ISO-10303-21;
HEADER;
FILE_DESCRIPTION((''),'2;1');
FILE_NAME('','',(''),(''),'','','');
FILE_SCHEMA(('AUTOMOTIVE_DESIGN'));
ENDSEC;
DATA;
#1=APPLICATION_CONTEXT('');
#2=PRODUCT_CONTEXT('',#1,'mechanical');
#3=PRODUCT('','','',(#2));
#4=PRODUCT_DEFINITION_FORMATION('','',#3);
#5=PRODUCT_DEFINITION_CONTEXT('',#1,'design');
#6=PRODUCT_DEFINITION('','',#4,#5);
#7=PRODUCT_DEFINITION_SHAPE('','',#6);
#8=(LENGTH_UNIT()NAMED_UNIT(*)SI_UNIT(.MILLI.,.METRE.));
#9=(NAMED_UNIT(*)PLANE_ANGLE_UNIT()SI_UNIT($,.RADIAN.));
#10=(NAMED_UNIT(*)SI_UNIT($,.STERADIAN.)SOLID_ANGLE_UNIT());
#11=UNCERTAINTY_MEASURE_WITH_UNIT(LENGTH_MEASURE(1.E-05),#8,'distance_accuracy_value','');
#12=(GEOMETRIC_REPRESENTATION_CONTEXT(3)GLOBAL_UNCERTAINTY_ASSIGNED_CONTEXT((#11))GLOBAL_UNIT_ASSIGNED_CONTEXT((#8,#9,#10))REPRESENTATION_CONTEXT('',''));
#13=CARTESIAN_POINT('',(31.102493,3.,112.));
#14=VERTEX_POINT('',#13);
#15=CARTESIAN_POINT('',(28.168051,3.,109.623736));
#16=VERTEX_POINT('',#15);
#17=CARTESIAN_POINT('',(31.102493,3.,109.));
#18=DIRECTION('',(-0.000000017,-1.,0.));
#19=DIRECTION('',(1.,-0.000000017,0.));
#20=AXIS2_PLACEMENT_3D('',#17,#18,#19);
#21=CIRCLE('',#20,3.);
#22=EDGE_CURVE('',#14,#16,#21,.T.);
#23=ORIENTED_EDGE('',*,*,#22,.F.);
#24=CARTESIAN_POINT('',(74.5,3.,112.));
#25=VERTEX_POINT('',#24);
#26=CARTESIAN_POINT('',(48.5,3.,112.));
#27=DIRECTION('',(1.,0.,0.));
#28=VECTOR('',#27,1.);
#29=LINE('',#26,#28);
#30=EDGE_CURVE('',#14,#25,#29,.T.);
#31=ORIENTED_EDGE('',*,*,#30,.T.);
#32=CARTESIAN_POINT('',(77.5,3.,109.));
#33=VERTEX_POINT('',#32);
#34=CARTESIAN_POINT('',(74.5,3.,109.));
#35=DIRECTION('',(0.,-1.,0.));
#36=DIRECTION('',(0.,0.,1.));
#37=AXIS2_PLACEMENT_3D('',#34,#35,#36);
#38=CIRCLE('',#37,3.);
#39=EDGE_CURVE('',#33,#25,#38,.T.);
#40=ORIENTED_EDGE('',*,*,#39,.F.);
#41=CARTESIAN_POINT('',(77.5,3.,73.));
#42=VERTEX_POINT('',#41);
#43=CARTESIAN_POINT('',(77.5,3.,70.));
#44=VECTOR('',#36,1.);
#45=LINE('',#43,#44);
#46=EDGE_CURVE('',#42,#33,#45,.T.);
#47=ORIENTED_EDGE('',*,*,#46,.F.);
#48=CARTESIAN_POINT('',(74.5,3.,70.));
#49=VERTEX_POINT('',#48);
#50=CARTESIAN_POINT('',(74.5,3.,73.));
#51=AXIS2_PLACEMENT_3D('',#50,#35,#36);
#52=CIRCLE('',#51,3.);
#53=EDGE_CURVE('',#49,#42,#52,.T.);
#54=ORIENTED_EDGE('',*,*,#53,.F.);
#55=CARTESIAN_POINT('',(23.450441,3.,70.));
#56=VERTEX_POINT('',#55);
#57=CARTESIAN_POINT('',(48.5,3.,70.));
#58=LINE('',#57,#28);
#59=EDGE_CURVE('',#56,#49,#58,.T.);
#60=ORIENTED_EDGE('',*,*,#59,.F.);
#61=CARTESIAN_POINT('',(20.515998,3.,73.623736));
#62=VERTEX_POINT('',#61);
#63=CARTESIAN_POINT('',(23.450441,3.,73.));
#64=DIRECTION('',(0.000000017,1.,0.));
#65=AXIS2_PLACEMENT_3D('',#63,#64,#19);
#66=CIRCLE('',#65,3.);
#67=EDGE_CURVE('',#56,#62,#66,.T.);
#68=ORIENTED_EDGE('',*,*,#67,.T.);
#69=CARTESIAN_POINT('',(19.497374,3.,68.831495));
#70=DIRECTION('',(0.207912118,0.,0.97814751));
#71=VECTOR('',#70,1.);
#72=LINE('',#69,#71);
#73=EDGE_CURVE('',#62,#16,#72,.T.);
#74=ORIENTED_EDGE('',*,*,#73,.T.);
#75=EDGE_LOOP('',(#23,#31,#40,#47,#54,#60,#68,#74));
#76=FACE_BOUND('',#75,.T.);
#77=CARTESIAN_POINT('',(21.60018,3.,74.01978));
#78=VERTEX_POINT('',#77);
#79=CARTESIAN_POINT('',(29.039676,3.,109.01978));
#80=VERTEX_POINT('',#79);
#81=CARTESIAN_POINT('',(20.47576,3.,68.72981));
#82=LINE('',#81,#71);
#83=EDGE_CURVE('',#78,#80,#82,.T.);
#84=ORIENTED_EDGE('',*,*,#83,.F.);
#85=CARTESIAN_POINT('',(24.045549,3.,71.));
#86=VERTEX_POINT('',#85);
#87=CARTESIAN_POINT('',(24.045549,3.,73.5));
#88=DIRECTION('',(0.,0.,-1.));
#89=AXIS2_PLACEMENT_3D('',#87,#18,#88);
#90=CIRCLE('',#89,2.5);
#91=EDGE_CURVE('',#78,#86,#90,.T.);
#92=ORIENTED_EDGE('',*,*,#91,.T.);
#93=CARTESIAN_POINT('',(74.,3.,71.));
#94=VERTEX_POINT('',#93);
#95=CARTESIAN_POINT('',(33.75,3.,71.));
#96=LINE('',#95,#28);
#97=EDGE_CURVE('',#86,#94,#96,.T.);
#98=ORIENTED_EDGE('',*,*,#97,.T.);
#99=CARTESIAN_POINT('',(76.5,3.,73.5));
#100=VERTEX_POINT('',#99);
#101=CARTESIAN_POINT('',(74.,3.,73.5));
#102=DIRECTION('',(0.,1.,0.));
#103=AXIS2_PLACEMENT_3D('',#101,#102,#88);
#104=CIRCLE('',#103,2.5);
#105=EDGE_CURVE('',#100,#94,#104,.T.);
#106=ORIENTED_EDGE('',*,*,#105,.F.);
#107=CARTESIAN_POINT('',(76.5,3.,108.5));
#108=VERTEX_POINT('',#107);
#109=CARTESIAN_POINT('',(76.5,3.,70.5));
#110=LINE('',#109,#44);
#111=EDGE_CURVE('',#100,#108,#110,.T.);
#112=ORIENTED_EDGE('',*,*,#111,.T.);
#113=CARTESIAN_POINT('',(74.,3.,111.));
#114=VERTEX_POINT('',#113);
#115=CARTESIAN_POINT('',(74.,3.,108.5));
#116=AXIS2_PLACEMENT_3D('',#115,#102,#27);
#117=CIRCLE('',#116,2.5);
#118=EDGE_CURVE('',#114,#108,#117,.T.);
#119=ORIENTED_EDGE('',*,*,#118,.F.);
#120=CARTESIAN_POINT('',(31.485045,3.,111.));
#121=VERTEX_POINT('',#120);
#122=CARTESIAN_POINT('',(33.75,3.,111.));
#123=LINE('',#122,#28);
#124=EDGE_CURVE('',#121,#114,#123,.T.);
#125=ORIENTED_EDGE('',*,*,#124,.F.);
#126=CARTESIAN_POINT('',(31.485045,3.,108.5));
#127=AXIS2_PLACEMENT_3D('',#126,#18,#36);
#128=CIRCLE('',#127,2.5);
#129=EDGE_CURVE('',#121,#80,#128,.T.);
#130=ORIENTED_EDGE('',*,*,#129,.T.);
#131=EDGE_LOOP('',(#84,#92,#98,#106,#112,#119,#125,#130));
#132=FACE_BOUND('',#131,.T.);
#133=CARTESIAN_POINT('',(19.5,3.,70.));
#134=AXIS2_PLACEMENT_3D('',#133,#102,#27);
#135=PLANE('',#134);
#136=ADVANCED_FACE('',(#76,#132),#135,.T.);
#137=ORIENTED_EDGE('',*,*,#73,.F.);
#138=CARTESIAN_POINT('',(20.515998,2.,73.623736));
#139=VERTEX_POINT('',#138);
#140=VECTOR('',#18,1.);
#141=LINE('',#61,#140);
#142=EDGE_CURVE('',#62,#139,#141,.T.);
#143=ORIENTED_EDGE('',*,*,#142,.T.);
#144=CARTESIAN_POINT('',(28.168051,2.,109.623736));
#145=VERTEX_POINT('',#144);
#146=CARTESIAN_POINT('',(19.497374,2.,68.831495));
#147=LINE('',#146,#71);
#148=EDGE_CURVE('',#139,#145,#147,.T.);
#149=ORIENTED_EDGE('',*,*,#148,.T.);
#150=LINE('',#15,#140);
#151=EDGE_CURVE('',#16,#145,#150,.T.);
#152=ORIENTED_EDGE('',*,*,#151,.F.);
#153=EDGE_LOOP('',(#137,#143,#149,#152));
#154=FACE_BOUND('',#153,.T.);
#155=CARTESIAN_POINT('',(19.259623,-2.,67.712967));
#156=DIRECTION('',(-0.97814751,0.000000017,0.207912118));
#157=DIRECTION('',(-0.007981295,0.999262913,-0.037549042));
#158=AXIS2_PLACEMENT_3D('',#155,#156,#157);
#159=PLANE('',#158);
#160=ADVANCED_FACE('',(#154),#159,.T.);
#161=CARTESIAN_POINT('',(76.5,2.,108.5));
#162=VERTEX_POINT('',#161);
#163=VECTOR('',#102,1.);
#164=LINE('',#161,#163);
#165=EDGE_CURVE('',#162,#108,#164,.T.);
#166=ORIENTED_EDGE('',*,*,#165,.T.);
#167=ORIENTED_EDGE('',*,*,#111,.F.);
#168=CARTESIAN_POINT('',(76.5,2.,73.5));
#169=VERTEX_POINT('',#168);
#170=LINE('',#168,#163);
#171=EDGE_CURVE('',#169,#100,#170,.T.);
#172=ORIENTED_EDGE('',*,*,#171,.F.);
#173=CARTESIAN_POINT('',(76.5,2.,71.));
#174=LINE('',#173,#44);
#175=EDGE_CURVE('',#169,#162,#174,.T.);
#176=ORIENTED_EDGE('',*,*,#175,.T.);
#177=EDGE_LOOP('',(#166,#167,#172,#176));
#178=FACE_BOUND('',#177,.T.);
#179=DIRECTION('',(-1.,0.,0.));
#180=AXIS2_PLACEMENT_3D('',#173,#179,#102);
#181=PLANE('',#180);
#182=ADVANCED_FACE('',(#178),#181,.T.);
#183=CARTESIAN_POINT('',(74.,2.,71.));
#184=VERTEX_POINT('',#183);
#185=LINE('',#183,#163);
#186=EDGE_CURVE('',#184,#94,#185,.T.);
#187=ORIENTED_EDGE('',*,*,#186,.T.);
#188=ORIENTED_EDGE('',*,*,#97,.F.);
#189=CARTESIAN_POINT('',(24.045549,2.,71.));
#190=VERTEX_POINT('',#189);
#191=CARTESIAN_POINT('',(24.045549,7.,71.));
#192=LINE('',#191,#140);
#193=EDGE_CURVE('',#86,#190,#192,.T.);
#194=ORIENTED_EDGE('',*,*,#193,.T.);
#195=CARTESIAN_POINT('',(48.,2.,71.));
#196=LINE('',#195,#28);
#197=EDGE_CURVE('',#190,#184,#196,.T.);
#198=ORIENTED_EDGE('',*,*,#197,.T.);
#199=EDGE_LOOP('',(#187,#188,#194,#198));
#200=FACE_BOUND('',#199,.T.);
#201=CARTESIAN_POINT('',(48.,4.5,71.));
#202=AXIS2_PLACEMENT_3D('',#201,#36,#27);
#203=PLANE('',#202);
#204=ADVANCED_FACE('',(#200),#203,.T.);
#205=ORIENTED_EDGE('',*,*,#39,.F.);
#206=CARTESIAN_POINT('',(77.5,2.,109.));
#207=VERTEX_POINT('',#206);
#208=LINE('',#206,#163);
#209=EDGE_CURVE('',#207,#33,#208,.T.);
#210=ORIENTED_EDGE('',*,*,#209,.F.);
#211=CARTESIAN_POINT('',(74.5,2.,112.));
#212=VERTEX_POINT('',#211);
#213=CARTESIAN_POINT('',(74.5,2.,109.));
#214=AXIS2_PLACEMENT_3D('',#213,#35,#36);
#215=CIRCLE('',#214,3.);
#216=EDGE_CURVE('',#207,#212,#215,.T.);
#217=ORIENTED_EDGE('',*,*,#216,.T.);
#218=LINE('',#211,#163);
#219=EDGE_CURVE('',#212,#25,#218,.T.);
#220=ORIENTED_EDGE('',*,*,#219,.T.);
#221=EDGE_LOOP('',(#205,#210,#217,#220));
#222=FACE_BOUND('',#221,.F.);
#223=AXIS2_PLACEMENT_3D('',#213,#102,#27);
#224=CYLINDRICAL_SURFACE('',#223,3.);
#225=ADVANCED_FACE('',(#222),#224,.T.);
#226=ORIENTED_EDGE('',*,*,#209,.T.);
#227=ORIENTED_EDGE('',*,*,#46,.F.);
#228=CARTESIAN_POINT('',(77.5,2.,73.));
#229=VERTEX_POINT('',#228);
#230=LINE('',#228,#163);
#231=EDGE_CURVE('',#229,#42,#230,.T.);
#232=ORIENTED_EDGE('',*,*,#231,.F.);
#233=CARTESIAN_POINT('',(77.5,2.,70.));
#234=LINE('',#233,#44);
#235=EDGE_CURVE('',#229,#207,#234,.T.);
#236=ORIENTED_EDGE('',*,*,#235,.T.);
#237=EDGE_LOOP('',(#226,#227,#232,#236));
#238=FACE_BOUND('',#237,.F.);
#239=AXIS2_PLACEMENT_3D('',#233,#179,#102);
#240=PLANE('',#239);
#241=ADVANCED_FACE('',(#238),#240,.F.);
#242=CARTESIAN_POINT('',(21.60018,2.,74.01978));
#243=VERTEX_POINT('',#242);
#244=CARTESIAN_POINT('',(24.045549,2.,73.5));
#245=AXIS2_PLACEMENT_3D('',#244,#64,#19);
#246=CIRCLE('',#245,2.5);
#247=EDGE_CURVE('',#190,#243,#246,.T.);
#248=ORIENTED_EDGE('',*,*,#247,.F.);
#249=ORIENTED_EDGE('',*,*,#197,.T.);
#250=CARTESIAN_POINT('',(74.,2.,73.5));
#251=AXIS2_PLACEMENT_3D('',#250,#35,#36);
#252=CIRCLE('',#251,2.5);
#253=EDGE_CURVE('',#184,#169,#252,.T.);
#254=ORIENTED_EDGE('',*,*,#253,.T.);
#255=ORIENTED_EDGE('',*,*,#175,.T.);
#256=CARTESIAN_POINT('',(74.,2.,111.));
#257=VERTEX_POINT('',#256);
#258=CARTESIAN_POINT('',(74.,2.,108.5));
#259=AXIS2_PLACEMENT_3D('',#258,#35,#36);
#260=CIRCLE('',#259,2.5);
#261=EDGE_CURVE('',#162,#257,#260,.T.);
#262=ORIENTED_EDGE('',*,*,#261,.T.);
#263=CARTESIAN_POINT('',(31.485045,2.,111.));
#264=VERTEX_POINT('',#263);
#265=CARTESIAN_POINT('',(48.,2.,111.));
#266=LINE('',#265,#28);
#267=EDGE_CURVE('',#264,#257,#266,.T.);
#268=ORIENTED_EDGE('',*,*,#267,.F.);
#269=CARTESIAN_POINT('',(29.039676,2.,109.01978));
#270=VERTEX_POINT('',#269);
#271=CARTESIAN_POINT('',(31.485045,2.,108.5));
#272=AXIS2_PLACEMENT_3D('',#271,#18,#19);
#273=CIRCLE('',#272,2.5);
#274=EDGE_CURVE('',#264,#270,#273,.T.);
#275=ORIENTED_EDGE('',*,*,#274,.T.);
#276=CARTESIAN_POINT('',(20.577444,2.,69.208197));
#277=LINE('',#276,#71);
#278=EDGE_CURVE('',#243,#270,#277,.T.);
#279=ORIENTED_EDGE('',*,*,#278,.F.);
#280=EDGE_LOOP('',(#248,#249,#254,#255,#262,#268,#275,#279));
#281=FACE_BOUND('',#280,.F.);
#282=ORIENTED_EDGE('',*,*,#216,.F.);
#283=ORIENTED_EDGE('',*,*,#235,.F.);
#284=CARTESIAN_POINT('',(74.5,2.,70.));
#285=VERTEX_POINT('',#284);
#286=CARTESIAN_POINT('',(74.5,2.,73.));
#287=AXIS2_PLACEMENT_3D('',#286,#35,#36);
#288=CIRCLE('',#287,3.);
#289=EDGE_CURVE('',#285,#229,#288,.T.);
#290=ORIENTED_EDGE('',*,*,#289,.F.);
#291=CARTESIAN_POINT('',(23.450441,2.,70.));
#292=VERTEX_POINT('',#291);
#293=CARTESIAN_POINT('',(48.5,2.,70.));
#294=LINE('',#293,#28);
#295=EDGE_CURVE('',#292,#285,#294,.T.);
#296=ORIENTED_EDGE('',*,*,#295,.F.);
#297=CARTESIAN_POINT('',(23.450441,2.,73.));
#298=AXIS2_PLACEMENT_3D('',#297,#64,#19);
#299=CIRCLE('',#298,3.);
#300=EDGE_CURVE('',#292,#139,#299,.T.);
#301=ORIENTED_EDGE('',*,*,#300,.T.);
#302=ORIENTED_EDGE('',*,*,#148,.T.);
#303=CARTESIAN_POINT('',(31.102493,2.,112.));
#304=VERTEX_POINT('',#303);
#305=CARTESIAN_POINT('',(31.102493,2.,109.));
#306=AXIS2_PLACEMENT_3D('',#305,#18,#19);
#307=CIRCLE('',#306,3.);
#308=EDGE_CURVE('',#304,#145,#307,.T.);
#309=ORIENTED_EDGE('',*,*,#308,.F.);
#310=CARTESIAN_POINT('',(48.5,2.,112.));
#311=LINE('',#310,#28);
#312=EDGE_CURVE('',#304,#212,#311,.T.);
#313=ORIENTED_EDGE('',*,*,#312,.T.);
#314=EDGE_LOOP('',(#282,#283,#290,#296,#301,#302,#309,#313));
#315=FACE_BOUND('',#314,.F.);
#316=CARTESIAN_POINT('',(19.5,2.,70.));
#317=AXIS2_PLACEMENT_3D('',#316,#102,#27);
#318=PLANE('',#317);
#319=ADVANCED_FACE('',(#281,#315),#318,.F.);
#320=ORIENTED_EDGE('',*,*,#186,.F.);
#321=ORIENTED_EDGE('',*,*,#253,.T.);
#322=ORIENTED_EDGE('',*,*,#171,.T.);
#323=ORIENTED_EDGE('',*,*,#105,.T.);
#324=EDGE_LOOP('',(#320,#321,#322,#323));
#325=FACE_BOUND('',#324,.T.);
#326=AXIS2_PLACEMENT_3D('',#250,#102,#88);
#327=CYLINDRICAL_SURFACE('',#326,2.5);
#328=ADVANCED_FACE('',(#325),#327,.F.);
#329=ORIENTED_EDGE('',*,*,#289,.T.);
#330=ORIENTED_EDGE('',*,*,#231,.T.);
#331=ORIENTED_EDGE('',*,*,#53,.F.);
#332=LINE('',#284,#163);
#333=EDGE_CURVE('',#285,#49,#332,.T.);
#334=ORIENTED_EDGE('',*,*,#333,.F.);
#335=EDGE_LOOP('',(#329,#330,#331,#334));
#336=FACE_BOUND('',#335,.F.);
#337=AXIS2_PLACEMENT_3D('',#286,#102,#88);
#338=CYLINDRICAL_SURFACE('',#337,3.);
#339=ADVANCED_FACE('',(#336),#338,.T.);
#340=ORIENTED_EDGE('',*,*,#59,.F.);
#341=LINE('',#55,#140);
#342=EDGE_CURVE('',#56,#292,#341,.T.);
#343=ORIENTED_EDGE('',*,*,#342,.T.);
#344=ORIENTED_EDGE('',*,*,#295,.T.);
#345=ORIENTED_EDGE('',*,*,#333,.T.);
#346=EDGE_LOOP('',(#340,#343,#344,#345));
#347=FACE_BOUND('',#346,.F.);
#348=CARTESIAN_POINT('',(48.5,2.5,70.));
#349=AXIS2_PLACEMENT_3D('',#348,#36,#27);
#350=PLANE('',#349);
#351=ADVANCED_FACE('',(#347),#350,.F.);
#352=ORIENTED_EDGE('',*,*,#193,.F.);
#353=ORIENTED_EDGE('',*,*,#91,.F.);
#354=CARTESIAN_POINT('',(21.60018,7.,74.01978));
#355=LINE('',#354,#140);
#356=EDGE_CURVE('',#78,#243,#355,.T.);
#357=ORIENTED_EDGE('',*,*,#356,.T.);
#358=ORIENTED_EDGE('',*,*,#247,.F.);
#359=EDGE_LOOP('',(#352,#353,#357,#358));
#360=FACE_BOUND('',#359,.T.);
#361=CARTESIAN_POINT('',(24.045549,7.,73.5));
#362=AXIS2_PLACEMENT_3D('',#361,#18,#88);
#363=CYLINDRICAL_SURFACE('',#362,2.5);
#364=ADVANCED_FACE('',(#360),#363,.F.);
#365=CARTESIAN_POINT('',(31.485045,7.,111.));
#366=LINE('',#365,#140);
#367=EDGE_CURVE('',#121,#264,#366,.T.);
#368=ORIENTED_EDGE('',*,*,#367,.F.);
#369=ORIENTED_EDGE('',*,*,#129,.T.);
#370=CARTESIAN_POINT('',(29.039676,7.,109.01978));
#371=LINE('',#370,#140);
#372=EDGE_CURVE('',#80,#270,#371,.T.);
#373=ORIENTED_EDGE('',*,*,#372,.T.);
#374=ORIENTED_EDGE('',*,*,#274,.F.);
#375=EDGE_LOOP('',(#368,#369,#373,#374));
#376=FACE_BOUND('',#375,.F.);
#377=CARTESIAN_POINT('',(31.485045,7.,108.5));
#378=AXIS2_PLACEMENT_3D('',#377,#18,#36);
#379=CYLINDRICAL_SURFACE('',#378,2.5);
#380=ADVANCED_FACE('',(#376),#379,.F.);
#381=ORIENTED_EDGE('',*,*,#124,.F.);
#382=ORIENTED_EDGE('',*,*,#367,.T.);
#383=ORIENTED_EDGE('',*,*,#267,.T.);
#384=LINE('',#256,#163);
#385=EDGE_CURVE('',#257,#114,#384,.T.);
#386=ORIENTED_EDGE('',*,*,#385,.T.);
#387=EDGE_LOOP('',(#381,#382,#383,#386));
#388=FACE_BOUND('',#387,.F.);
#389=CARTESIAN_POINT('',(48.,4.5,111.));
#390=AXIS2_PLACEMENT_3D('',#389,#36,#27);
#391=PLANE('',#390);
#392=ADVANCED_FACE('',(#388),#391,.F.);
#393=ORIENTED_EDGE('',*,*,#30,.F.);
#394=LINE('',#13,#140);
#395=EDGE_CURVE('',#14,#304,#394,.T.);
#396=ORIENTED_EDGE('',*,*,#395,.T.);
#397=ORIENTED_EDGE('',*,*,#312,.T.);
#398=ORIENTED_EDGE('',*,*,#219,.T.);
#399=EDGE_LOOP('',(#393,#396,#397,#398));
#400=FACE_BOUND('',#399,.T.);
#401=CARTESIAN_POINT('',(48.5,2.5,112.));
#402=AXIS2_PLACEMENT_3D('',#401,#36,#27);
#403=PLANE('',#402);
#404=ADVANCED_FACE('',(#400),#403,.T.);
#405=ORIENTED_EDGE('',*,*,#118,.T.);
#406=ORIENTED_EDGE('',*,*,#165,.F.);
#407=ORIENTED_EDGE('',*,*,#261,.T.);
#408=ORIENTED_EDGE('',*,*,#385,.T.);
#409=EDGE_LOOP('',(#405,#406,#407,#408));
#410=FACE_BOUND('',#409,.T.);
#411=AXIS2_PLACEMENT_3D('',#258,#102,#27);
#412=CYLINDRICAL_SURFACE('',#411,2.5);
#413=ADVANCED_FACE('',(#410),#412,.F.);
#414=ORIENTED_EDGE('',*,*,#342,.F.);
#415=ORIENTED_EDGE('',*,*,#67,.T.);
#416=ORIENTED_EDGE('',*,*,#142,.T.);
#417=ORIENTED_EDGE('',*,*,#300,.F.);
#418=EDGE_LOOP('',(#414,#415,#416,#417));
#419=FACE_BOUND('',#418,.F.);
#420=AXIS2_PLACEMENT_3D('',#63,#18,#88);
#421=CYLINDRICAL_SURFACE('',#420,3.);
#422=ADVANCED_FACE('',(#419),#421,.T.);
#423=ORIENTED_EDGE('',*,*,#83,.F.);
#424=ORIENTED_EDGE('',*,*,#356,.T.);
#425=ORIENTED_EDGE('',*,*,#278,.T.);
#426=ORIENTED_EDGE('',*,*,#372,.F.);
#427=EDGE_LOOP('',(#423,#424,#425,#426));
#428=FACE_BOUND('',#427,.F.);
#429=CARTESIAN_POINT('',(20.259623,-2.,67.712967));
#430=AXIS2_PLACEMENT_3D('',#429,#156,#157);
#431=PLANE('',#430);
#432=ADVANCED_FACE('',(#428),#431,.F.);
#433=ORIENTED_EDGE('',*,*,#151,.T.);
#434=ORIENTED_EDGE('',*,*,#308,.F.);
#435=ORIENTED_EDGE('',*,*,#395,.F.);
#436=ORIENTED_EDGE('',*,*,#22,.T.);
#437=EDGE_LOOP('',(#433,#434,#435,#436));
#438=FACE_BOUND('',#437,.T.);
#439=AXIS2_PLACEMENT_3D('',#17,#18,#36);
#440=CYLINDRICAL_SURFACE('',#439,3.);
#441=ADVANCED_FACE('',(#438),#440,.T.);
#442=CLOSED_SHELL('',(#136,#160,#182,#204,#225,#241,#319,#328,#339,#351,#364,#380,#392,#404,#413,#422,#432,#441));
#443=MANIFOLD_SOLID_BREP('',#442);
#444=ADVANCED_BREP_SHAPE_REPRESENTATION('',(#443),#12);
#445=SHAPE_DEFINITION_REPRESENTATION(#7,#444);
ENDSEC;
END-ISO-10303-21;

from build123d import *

# Parameters (mm, degrees)
BOX052_W               = 11
BOX052_H               = 11
BOX052_DEPTH           = 48
BOX052_ROLL_ANGLE      = -2.200006
BOX052_PITCH_ANGLE     = 12.000025
BOX052_PLACEMENT_ANGLE = -1e-06
BOX053_W               = 57
BOX053_H               = 5
BOX053_DEPTH           = 40
FILLET060_R            = 2.5
BOX006_W               = 11
BOX006_H               = 11
BOX006_DEPTH           = 48
BOX006_ROLL_ANGLE      = -2.200006
BOX006_PITCH_ANGLE     = 12.000025
BOX006_PLACEMENT_ANGLE = -1e-06
BOX005_W               = 58
BOX005_H               = 1
BOX005_DEPTH           = 42
FILLET058_R            = 3


with BuildPart() as cube478:
    # Box052 → Box052 (new body)
    with BuildSketch(Plane.XY):
        with Locations((5.5, 5.5)):
            Rectangle(BOX052_W, BOX052_H)
    extrude(amount=BOX052_DEPTH)


with BuildPart() as cube478_1:
    # Box052 roll: moved
    add(cube478.part.rotate(Axis((0, 0, 0), (1, 0, 0)), BOX052_ROLL_ANGLE))


with BuildPart() as cube478_2:
    # Box052 pitch: moved
    add(cube478_1.part.rotate(Axis((0, 0, 0), (0, 1, 0)), BOX052_PITCH_ANGLE))


with BuildPart() as cube478_3:
    # Box052 placement: moved
    add(cube478_2.part.moved(Location((9.5, -2, 70))).rotate(Axis((9.5, -2, 70), (0, 0, 1)), BOX052_PLACEMENT_ANGLE))


with BuildPart() as fillet060:
    # Box053 → Box053 (new body)
    with BuildSketch(Plane(origin=(19.5, 2, 71), x_dir=(1, 0, 0), z_dir=(0, 0, 1))):
        with Locations((28.5, 2.5)):
            Rectangle(BOX053_W, BOX053_H)
    extrude(amount=BOX053_DEPTH)

    # Cut038: cut Cube478
    add(cube478_3.part, mode=Mode.SUBTRACT)

    # Fillet060
    fillet060_edges = [fillet060.edges().sort_by_distance(p)[0] for p in [
        (76.5, 4.5, 71),
        (20.958305, 4.5, 71),
        (76.5, 4.5, 111),
        (29.460585, 4.5, 111),
    ]]
    fillet(fillet060_edges, radius=FILLET060_R)


with BuildPart() as cube364:
    # Box006 → Box006 (new body)
    with BuildSketch(Plane.XY):
        with Locations((5.5, 5.5)):
            Rectangle(BOX006_W, BOX006_H)
    extrude(amount=BOX006_DEPTH)


with BuildPart() as cube364_1:
    # Box006 roll: moved
    add(cube364.part.rotate(Axis((0, 0, 0), (1, 0, 0)), BOX006_ROLL_ANGLE))


with BuildPart() as cube364_2:
    # Box006 pitch: moved
    add(cube364_1.part.rotate(Axis((0, 0, 0), (0, 1, 0)), BOX006_PITCH_ANGLE))


with BuildPart() as cube364_3:
    # Box006 placement: moved
    add(cube364_2.part.moved(Location((8.5, -2, 70))).rotate(Axis((8.5, -2, 70), (0, 0, 1)), BOX006_PLACEMENT_ANGLE))


with BuildPart() as cut039:
    # Box005 → Box005 (new body)
    with BuildSketch(Plane(origin=(19.5, 2, 70), x_dir=(1, 0, 0), z_dir=(0, 0, 1))):
        with Locations((29, 0.5)):
            Rectangle(BOX005_W, BOX005_H)
    extrude(amount=BOX005_DEPTH)

    # Cut002: cut Cube364
    add(cube364_3.part, mode=Mode.SUBTRACT)

    # Fillet058
    fillet058_edges = [cut039.edges().sort_by_distance(p)[0] for p in [
        (77.5, 2.5, 70),
        (19.745748, 2.5, 70),
        (77.5, 2.5, 112),
        (28.673142, 2.5, 112),
    ]]
    fillet(fillet058_edges, radius=FILLET058_R)

    # Cut039: cut Fillet060
    add(fillet060.part, mode=Mode.SUBTRACT)


solid = cut039.part
